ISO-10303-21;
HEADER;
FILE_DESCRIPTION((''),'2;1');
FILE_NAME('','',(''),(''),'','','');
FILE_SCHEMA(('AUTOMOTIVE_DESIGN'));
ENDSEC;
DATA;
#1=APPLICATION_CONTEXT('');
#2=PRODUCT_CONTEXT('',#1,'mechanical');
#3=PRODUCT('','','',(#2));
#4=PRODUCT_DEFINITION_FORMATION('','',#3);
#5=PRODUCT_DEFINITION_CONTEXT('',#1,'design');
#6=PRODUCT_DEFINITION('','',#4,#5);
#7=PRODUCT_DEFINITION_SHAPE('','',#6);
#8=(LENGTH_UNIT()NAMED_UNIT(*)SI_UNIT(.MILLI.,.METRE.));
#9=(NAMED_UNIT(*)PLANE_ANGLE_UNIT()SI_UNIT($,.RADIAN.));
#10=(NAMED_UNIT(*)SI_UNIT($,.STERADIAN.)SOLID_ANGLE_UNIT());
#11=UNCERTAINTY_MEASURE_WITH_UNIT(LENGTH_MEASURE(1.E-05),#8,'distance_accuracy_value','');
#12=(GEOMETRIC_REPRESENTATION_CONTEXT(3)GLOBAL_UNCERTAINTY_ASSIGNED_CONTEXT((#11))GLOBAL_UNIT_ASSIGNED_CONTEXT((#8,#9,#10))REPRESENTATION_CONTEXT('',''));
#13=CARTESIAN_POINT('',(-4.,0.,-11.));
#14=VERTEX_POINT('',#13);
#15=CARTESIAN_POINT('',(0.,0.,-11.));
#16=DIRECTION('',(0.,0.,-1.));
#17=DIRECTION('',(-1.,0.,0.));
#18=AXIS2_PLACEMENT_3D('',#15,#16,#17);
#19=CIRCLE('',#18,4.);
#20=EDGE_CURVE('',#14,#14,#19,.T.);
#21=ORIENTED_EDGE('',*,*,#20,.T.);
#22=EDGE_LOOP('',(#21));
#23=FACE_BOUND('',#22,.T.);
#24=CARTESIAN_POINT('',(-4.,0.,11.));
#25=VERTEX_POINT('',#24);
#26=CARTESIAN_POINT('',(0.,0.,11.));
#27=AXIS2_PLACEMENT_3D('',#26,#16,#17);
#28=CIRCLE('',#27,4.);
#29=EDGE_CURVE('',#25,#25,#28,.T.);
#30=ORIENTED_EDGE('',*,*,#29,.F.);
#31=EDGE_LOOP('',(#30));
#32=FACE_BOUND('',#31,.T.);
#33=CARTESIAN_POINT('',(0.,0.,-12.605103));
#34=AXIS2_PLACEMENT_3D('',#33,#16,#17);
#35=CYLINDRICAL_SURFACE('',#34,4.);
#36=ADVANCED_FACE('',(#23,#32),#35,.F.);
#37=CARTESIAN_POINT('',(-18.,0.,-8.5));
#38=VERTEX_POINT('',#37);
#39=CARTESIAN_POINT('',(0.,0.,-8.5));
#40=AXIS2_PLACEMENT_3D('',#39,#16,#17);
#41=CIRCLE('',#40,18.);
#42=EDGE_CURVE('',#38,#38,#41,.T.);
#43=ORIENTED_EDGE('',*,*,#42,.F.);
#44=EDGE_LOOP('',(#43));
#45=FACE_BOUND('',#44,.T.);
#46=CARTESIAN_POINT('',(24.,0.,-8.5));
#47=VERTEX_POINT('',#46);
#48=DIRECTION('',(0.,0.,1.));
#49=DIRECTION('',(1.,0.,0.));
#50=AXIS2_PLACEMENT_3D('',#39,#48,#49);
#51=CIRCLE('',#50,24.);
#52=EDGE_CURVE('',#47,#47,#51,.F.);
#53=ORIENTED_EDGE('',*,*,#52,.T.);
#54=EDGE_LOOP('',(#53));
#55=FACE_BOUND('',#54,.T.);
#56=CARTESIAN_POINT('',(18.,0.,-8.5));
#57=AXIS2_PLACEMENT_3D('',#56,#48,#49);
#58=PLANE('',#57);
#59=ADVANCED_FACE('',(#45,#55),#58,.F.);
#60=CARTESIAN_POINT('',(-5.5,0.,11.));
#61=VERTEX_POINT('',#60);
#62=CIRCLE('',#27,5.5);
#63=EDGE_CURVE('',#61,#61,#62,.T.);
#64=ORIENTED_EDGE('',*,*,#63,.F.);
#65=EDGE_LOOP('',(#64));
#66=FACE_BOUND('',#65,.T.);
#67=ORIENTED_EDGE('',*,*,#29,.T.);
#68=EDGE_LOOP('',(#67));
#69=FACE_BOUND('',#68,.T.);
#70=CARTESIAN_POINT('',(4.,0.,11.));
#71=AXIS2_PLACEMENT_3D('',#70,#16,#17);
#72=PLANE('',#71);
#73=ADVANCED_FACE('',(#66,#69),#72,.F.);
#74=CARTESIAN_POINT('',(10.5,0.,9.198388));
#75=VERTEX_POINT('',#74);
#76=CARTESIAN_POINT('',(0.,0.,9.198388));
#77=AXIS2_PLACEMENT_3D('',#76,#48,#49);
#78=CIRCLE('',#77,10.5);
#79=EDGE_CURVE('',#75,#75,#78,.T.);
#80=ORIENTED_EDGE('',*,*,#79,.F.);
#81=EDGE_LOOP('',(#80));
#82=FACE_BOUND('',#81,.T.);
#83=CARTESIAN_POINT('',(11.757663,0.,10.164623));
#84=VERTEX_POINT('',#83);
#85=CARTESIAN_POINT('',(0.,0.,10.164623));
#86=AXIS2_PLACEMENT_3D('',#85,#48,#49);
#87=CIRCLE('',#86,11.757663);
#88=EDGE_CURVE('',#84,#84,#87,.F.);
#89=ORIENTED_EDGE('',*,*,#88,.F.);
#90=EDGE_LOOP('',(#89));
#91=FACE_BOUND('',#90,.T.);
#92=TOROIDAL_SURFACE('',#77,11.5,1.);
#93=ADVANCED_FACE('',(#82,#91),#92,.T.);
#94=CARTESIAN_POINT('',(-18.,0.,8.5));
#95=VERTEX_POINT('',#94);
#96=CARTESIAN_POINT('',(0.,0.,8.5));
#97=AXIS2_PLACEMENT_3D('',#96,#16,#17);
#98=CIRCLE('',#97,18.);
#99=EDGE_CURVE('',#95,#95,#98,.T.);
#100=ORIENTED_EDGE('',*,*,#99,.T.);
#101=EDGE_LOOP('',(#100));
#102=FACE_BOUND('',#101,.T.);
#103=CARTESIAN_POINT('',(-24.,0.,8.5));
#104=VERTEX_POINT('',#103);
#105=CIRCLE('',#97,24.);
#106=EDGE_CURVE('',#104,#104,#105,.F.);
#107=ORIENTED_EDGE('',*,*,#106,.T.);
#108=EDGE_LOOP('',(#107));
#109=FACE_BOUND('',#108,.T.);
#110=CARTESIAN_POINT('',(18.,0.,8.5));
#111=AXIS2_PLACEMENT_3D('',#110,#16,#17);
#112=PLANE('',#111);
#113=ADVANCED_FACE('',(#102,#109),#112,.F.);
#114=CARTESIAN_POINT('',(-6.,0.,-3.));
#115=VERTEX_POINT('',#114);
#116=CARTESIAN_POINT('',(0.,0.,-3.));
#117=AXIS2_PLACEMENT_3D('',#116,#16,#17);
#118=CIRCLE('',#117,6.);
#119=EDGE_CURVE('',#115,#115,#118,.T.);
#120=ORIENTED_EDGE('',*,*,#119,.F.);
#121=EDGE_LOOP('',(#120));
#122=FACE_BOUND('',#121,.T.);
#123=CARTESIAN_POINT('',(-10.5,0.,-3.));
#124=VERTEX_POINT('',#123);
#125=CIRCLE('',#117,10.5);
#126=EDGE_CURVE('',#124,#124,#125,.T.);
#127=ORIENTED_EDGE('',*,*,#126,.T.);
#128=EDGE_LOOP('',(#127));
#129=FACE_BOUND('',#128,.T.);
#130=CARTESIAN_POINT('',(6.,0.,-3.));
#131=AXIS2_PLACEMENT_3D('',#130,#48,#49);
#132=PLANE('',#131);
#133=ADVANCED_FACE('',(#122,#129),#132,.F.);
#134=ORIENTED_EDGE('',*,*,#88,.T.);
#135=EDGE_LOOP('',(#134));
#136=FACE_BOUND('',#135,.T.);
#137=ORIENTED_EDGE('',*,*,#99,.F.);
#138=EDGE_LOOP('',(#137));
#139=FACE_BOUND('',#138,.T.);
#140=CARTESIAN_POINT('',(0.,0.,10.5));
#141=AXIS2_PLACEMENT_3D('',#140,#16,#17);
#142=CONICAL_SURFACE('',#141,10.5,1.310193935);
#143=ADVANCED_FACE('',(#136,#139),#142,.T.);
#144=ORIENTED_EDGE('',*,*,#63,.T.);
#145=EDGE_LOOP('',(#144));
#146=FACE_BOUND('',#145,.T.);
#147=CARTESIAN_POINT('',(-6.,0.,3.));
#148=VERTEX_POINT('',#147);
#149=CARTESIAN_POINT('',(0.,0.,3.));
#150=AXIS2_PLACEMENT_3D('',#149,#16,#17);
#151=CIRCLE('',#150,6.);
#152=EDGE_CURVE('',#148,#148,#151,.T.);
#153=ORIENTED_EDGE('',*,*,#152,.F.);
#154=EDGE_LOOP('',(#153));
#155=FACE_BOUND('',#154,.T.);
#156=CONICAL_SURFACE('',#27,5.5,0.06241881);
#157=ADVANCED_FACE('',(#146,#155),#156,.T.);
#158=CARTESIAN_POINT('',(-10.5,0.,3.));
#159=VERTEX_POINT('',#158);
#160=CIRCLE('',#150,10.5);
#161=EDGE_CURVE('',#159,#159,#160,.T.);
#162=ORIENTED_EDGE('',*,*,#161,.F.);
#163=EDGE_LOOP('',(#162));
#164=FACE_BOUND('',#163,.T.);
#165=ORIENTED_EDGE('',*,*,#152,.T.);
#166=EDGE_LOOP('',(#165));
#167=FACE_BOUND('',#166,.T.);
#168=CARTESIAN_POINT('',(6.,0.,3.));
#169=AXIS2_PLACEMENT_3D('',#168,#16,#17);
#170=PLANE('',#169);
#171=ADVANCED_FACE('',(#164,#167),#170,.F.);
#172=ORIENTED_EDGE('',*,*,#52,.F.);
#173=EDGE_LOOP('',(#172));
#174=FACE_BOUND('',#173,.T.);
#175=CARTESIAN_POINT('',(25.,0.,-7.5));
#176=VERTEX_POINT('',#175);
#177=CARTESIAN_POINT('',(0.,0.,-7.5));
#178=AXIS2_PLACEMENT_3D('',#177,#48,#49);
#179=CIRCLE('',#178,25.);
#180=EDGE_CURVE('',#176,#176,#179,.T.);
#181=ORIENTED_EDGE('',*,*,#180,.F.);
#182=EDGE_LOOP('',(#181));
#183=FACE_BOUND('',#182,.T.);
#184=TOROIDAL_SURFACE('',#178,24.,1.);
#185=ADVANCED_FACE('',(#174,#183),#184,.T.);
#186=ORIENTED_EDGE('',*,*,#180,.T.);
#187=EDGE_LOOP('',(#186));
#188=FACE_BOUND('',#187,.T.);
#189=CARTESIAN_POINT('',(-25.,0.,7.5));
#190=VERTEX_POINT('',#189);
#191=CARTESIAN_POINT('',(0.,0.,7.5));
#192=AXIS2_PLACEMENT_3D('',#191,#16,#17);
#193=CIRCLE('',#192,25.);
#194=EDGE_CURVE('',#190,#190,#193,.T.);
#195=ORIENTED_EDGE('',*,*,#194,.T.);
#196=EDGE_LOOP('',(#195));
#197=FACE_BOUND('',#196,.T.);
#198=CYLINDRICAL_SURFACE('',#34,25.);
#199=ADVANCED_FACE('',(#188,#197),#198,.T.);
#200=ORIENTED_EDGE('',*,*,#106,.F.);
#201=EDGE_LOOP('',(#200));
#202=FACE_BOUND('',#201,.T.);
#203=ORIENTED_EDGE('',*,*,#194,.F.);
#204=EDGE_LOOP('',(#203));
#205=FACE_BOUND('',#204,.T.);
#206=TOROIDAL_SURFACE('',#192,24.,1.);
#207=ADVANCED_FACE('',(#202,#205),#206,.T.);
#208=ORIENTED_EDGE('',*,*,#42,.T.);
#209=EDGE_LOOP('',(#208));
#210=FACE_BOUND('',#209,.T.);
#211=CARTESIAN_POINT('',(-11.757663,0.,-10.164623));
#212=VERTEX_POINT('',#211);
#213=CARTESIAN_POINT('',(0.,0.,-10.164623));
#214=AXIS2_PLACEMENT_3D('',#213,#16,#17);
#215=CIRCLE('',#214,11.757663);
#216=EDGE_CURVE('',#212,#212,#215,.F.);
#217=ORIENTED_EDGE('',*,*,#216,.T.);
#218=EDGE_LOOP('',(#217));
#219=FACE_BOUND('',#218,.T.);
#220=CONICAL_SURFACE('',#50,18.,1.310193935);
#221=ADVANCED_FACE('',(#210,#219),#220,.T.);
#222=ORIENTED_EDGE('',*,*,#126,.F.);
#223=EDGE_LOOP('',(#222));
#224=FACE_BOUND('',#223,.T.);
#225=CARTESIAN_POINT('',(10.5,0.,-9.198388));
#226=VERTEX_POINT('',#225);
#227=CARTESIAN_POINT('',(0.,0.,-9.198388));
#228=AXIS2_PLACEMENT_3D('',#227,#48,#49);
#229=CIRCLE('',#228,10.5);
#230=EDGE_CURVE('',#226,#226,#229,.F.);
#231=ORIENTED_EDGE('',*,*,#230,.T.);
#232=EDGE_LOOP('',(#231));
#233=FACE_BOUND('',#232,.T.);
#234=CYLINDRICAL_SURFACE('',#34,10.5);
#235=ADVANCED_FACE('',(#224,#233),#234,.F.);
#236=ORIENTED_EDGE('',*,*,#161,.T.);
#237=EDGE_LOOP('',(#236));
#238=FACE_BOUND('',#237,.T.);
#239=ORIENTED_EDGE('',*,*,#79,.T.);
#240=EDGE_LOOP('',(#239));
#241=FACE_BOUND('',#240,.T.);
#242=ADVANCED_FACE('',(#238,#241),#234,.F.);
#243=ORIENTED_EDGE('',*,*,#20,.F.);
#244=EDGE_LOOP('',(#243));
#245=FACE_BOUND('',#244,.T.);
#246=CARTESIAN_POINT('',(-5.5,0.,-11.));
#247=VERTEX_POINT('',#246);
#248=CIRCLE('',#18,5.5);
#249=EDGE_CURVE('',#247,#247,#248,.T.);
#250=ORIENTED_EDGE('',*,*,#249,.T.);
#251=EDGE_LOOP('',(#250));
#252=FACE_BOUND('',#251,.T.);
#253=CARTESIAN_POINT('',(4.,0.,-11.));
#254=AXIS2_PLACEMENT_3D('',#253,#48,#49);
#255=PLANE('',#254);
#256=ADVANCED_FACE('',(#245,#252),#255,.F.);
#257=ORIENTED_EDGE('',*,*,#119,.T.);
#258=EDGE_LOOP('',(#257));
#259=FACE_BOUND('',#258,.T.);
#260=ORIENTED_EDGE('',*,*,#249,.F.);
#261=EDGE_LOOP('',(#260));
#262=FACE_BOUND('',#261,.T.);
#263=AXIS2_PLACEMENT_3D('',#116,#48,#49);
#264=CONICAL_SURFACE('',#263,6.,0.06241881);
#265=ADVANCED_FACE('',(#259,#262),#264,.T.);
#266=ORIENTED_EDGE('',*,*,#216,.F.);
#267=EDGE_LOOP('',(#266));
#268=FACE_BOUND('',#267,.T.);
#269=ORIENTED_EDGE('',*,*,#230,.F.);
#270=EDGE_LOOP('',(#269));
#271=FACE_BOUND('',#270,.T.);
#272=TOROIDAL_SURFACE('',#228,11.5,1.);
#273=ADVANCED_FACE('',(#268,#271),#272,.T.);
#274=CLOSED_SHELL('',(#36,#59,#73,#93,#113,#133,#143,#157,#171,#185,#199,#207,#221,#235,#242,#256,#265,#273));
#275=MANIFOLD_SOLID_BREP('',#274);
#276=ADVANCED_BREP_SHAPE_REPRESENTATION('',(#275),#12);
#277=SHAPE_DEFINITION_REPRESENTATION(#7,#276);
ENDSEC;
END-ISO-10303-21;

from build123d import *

# Parameters (mm, degrees)
CONG_1_R = 1
CONG_2_R = 1


with BuildPart() as part:
    # Esquisse1 → Révolution1 (revolve)
    with BuildSketch(Plane(origin=(0, 0, 0), x_dir=(1, 0, 0), z_dir=(0, 1, 0)), mode=Mode.PRIVATE) as r_volution1_sk:
        Polygon((4, -11), (4, 11), (5.5, 11), (6, 3), (10.5, 3), (10.5, 10.5), (18, 8.5), (25, 8.5), (25, -8.5), (18, -8.5), (10.5, -10.5), (10.5, -3), (6, -3), (5.5, -11), align=None)
    revolve(r_volution1_sk.sketch.rotate(Axis((0, 0, -12.605103239), (0, 0, 1)), 180), axis=Axis((0, 0, -12.605103239), (0, 0, 1)))

    # Congé1
    cong_1_edges = [part.edges().sort_by_distance(p)[0] for p in [
        (25, 0, -8.5),
        (25, 0, 8.5),
    ]]
    fillet(cong_1_edges, radius=CONG_1_R)

    # Congé2
    cong_2_edges = [part.edges().sort_by_distance(p)[0] for p in [
        (10.5, 0, -10.5),
        (10.5, 0, 10.5),
    ]]
    fillet(cong_2_edges, radius=CONG_2_R)


solid = part.part
